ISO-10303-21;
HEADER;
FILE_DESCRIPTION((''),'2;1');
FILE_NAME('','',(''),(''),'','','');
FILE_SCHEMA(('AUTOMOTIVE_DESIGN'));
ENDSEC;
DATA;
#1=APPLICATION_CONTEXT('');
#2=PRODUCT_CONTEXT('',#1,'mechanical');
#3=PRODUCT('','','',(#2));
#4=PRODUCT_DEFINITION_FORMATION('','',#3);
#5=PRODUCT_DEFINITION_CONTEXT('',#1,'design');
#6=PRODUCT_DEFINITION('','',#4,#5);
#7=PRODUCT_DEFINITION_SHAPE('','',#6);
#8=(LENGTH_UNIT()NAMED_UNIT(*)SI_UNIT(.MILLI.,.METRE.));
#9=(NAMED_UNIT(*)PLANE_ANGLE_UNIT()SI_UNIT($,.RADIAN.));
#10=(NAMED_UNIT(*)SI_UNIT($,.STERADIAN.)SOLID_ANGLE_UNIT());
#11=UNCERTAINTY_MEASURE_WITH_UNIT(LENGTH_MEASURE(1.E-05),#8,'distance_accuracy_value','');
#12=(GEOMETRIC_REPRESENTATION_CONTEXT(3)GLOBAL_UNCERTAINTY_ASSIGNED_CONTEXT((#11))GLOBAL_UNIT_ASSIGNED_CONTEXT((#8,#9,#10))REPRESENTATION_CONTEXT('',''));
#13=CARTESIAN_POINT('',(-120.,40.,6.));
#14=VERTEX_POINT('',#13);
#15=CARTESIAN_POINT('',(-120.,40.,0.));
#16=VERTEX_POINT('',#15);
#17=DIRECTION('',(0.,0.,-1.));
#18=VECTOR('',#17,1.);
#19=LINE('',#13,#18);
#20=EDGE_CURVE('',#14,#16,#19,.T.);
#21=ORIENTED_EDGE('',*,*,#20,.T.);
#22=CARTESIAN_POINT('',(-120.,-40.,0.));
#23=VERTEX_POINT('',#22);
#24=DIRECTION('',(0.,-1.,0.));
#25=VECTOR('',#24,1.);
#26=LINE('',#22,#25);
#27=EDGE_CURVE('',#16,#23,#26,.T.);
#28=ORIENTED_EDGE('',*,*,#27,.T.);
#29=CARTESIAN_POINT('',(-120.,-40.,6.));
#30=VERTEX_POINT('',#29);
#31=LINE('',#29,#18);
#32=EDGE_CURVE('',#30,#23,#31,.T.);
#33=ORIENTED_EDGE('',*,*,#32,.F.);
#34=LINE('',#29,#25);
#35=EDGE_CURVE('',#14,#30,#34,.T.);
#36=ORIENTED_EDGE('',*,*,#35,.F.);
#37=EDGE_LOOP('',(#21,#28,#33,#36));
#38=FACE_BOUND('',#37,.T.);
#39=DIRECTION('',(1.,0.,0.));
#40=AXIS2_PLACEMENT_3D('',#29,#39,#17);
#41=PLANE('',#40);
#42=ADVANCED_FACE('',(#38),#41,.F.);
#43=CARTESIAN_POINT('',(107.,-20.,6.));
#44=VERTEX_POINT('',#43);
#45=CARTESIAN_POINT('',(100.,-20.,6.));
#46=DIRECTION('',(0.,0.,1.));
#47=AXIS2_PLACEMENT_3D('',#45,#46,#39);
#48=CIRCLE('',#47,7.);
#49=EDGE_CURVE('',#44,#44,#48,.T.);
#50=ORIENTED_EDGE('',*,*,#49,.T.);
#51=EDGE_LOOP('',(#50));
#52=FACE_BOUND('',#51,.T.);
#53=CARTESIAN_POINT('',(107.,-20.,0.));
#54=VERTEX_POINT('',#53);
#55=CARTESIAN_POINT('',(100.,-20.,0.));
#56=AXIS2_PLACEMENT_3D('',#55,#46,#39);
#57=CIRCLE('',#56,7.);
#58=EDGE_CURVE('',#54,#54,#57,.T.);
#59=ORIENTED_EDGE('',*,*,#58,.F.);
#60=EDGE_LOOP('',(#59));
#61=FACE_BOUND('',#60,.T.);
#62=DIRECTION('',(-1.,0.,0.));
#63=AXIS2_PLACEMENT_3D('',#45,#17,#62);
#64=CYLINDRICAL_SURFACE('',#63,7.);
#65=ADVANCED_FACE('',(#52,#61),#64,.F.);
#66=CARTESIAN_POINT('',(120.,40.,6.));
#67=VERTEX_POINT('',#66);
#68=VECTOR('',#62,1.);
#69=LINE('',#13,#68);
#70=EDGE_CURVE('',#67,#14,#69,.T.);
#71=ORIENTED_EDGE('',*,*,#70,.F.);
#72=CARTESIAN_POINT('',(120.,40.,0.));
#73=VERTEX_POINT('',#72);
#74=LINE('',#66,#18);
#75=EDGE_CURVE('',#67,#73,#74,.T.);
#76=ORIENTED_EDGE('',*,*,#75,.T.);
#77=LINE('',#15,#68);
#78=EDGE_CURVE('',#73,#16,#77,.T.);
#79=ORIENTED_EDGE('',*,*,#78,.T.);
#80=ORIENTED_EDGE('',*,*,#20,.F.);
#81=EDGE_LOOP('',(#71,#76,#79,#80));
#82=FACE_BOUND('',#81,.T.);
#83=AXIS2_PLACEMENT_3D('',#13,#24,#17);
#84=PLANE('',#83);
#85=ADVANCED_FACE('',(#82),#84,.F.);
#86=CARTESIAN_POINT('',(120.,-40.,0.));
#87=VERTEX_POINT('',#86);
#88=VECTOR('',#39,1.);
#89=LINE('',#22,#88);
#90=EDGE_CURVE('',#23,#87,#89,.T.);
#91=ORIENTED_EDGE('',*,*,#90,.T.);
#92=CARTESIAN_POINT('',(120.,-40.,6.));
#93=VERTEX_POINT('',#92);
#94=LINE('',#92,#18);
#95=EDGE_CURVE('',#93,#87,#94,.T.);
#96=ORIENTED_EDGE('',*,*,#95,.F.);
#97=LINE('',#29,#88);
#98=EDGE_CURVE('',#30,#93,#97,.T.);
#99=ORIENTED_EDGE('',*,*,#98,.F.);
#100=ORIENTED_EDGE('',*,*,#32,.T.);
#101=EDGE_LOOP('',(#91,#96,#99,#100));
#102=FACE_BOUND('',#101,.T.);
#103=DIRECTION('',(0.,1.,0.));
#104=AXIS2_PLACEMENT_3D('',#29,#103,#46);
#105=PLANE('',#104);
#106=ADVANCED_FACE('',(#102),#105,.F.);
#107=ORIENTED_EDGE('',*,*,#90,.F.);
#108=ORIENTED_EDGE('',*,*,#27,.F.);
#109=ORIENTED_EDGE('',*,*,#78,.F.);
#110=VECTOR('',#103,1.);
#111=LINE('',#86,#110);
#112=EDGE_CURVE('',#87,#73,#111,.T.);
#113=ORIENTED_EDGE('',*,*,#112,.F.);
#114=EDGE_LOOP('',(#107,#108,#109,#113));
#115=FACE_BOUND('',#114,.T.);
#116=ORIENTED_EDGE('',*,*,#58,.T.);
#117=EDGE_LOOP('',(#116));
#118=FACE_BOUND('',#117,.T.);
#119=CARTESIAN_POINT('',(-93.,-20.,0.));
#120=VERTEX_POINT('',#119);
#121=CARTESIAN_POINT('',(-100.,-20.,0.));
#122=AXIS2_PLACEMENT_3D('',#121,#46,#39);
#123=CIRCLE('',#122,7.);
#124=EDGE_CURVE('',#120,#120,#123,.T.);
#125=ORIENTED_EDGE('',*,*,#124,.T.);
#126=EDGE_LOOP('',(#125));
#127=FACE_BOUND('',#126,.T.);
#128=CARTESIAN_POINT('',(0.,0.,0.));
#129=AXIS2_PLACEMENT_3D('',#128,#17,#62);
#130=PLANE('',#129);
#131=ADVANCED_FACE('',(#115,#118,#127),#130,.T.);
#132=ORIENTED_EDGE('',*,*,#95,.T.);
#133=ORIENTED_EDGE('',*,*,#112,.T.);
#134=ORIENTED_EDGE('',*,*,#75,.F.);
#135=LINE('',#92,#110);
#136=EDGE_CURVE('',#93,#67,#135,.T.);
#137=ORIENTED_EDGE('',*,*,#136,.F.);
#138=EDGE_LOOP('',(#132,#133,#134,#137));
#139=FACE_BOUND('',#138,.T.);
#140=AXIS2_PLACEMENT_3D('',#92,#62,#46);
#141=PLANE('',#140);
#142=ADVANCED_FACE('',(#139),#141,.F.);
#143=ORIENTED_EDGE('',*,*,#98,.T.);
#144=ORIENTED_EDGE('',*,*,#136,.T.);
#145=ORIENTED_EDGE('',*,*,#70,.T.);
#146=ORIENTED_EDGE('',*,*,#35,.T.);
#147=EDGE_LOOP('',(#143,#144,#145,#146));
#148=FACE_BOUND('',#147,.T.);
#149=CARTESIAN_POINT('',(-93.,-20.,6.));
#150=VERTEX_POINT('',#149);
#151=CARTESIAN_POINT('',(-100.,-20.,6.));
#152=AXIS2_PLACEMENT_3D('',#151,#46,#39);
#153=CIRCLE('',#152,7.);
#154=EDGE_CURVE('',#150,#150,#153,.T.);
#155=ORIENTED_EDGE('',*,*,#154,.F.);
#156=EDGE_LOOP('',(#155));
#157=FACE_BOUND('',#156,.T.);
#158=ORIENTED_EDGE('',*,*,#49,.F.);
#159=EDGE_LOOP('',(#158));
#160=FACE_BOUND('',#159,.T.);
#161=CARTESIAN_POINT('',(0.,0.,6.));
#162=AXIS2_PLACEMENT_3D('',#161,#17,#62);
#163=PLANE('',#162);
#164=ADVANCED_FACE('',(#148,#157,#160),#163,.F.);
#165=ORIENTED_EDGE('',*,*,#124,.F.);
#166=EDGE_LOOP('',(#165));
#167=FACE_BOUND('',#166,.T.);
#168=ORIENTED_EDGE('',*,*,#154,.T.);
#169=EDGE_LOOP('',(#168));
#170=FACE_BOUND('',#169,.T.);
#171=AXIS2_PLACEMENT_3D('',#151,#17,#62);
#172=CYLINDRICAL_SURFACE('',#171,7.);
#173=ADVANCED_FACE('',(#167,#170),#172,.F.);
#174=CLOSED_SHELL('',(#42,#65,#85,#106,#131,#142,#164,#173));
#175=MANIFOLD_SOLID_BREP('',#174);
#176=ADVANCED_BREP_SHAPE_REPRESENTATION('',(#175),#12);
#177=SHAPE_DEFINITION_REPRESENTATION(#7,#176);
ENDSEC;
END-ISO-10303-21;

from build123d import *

# Parameters (mm, degrees)
SKETCH1_W           = 240
SKETCH1_H           = 80
SKETCH1_R           = 7
BOSS_EXTRUDE1_DEPTH = 6


with BuildPart() as part:
    # Sketch1 → Boss-Extrude1 (new body)
    with BuildSketch(Plane.XY):
        Rectangle(SKETCH1_W, SKETCH1_H)
        with Locations((-100, -20)):
            Circle(SKETCH1_R, mode=Mode.SUBTRACT)
        with Locations((100, -20)):
            Circle(SKETCH1_R, mode=Mode.SUBTRACT)
    extrude(amount=BOSS_EXTRUDE1_DEPTH)


solid = part.part
